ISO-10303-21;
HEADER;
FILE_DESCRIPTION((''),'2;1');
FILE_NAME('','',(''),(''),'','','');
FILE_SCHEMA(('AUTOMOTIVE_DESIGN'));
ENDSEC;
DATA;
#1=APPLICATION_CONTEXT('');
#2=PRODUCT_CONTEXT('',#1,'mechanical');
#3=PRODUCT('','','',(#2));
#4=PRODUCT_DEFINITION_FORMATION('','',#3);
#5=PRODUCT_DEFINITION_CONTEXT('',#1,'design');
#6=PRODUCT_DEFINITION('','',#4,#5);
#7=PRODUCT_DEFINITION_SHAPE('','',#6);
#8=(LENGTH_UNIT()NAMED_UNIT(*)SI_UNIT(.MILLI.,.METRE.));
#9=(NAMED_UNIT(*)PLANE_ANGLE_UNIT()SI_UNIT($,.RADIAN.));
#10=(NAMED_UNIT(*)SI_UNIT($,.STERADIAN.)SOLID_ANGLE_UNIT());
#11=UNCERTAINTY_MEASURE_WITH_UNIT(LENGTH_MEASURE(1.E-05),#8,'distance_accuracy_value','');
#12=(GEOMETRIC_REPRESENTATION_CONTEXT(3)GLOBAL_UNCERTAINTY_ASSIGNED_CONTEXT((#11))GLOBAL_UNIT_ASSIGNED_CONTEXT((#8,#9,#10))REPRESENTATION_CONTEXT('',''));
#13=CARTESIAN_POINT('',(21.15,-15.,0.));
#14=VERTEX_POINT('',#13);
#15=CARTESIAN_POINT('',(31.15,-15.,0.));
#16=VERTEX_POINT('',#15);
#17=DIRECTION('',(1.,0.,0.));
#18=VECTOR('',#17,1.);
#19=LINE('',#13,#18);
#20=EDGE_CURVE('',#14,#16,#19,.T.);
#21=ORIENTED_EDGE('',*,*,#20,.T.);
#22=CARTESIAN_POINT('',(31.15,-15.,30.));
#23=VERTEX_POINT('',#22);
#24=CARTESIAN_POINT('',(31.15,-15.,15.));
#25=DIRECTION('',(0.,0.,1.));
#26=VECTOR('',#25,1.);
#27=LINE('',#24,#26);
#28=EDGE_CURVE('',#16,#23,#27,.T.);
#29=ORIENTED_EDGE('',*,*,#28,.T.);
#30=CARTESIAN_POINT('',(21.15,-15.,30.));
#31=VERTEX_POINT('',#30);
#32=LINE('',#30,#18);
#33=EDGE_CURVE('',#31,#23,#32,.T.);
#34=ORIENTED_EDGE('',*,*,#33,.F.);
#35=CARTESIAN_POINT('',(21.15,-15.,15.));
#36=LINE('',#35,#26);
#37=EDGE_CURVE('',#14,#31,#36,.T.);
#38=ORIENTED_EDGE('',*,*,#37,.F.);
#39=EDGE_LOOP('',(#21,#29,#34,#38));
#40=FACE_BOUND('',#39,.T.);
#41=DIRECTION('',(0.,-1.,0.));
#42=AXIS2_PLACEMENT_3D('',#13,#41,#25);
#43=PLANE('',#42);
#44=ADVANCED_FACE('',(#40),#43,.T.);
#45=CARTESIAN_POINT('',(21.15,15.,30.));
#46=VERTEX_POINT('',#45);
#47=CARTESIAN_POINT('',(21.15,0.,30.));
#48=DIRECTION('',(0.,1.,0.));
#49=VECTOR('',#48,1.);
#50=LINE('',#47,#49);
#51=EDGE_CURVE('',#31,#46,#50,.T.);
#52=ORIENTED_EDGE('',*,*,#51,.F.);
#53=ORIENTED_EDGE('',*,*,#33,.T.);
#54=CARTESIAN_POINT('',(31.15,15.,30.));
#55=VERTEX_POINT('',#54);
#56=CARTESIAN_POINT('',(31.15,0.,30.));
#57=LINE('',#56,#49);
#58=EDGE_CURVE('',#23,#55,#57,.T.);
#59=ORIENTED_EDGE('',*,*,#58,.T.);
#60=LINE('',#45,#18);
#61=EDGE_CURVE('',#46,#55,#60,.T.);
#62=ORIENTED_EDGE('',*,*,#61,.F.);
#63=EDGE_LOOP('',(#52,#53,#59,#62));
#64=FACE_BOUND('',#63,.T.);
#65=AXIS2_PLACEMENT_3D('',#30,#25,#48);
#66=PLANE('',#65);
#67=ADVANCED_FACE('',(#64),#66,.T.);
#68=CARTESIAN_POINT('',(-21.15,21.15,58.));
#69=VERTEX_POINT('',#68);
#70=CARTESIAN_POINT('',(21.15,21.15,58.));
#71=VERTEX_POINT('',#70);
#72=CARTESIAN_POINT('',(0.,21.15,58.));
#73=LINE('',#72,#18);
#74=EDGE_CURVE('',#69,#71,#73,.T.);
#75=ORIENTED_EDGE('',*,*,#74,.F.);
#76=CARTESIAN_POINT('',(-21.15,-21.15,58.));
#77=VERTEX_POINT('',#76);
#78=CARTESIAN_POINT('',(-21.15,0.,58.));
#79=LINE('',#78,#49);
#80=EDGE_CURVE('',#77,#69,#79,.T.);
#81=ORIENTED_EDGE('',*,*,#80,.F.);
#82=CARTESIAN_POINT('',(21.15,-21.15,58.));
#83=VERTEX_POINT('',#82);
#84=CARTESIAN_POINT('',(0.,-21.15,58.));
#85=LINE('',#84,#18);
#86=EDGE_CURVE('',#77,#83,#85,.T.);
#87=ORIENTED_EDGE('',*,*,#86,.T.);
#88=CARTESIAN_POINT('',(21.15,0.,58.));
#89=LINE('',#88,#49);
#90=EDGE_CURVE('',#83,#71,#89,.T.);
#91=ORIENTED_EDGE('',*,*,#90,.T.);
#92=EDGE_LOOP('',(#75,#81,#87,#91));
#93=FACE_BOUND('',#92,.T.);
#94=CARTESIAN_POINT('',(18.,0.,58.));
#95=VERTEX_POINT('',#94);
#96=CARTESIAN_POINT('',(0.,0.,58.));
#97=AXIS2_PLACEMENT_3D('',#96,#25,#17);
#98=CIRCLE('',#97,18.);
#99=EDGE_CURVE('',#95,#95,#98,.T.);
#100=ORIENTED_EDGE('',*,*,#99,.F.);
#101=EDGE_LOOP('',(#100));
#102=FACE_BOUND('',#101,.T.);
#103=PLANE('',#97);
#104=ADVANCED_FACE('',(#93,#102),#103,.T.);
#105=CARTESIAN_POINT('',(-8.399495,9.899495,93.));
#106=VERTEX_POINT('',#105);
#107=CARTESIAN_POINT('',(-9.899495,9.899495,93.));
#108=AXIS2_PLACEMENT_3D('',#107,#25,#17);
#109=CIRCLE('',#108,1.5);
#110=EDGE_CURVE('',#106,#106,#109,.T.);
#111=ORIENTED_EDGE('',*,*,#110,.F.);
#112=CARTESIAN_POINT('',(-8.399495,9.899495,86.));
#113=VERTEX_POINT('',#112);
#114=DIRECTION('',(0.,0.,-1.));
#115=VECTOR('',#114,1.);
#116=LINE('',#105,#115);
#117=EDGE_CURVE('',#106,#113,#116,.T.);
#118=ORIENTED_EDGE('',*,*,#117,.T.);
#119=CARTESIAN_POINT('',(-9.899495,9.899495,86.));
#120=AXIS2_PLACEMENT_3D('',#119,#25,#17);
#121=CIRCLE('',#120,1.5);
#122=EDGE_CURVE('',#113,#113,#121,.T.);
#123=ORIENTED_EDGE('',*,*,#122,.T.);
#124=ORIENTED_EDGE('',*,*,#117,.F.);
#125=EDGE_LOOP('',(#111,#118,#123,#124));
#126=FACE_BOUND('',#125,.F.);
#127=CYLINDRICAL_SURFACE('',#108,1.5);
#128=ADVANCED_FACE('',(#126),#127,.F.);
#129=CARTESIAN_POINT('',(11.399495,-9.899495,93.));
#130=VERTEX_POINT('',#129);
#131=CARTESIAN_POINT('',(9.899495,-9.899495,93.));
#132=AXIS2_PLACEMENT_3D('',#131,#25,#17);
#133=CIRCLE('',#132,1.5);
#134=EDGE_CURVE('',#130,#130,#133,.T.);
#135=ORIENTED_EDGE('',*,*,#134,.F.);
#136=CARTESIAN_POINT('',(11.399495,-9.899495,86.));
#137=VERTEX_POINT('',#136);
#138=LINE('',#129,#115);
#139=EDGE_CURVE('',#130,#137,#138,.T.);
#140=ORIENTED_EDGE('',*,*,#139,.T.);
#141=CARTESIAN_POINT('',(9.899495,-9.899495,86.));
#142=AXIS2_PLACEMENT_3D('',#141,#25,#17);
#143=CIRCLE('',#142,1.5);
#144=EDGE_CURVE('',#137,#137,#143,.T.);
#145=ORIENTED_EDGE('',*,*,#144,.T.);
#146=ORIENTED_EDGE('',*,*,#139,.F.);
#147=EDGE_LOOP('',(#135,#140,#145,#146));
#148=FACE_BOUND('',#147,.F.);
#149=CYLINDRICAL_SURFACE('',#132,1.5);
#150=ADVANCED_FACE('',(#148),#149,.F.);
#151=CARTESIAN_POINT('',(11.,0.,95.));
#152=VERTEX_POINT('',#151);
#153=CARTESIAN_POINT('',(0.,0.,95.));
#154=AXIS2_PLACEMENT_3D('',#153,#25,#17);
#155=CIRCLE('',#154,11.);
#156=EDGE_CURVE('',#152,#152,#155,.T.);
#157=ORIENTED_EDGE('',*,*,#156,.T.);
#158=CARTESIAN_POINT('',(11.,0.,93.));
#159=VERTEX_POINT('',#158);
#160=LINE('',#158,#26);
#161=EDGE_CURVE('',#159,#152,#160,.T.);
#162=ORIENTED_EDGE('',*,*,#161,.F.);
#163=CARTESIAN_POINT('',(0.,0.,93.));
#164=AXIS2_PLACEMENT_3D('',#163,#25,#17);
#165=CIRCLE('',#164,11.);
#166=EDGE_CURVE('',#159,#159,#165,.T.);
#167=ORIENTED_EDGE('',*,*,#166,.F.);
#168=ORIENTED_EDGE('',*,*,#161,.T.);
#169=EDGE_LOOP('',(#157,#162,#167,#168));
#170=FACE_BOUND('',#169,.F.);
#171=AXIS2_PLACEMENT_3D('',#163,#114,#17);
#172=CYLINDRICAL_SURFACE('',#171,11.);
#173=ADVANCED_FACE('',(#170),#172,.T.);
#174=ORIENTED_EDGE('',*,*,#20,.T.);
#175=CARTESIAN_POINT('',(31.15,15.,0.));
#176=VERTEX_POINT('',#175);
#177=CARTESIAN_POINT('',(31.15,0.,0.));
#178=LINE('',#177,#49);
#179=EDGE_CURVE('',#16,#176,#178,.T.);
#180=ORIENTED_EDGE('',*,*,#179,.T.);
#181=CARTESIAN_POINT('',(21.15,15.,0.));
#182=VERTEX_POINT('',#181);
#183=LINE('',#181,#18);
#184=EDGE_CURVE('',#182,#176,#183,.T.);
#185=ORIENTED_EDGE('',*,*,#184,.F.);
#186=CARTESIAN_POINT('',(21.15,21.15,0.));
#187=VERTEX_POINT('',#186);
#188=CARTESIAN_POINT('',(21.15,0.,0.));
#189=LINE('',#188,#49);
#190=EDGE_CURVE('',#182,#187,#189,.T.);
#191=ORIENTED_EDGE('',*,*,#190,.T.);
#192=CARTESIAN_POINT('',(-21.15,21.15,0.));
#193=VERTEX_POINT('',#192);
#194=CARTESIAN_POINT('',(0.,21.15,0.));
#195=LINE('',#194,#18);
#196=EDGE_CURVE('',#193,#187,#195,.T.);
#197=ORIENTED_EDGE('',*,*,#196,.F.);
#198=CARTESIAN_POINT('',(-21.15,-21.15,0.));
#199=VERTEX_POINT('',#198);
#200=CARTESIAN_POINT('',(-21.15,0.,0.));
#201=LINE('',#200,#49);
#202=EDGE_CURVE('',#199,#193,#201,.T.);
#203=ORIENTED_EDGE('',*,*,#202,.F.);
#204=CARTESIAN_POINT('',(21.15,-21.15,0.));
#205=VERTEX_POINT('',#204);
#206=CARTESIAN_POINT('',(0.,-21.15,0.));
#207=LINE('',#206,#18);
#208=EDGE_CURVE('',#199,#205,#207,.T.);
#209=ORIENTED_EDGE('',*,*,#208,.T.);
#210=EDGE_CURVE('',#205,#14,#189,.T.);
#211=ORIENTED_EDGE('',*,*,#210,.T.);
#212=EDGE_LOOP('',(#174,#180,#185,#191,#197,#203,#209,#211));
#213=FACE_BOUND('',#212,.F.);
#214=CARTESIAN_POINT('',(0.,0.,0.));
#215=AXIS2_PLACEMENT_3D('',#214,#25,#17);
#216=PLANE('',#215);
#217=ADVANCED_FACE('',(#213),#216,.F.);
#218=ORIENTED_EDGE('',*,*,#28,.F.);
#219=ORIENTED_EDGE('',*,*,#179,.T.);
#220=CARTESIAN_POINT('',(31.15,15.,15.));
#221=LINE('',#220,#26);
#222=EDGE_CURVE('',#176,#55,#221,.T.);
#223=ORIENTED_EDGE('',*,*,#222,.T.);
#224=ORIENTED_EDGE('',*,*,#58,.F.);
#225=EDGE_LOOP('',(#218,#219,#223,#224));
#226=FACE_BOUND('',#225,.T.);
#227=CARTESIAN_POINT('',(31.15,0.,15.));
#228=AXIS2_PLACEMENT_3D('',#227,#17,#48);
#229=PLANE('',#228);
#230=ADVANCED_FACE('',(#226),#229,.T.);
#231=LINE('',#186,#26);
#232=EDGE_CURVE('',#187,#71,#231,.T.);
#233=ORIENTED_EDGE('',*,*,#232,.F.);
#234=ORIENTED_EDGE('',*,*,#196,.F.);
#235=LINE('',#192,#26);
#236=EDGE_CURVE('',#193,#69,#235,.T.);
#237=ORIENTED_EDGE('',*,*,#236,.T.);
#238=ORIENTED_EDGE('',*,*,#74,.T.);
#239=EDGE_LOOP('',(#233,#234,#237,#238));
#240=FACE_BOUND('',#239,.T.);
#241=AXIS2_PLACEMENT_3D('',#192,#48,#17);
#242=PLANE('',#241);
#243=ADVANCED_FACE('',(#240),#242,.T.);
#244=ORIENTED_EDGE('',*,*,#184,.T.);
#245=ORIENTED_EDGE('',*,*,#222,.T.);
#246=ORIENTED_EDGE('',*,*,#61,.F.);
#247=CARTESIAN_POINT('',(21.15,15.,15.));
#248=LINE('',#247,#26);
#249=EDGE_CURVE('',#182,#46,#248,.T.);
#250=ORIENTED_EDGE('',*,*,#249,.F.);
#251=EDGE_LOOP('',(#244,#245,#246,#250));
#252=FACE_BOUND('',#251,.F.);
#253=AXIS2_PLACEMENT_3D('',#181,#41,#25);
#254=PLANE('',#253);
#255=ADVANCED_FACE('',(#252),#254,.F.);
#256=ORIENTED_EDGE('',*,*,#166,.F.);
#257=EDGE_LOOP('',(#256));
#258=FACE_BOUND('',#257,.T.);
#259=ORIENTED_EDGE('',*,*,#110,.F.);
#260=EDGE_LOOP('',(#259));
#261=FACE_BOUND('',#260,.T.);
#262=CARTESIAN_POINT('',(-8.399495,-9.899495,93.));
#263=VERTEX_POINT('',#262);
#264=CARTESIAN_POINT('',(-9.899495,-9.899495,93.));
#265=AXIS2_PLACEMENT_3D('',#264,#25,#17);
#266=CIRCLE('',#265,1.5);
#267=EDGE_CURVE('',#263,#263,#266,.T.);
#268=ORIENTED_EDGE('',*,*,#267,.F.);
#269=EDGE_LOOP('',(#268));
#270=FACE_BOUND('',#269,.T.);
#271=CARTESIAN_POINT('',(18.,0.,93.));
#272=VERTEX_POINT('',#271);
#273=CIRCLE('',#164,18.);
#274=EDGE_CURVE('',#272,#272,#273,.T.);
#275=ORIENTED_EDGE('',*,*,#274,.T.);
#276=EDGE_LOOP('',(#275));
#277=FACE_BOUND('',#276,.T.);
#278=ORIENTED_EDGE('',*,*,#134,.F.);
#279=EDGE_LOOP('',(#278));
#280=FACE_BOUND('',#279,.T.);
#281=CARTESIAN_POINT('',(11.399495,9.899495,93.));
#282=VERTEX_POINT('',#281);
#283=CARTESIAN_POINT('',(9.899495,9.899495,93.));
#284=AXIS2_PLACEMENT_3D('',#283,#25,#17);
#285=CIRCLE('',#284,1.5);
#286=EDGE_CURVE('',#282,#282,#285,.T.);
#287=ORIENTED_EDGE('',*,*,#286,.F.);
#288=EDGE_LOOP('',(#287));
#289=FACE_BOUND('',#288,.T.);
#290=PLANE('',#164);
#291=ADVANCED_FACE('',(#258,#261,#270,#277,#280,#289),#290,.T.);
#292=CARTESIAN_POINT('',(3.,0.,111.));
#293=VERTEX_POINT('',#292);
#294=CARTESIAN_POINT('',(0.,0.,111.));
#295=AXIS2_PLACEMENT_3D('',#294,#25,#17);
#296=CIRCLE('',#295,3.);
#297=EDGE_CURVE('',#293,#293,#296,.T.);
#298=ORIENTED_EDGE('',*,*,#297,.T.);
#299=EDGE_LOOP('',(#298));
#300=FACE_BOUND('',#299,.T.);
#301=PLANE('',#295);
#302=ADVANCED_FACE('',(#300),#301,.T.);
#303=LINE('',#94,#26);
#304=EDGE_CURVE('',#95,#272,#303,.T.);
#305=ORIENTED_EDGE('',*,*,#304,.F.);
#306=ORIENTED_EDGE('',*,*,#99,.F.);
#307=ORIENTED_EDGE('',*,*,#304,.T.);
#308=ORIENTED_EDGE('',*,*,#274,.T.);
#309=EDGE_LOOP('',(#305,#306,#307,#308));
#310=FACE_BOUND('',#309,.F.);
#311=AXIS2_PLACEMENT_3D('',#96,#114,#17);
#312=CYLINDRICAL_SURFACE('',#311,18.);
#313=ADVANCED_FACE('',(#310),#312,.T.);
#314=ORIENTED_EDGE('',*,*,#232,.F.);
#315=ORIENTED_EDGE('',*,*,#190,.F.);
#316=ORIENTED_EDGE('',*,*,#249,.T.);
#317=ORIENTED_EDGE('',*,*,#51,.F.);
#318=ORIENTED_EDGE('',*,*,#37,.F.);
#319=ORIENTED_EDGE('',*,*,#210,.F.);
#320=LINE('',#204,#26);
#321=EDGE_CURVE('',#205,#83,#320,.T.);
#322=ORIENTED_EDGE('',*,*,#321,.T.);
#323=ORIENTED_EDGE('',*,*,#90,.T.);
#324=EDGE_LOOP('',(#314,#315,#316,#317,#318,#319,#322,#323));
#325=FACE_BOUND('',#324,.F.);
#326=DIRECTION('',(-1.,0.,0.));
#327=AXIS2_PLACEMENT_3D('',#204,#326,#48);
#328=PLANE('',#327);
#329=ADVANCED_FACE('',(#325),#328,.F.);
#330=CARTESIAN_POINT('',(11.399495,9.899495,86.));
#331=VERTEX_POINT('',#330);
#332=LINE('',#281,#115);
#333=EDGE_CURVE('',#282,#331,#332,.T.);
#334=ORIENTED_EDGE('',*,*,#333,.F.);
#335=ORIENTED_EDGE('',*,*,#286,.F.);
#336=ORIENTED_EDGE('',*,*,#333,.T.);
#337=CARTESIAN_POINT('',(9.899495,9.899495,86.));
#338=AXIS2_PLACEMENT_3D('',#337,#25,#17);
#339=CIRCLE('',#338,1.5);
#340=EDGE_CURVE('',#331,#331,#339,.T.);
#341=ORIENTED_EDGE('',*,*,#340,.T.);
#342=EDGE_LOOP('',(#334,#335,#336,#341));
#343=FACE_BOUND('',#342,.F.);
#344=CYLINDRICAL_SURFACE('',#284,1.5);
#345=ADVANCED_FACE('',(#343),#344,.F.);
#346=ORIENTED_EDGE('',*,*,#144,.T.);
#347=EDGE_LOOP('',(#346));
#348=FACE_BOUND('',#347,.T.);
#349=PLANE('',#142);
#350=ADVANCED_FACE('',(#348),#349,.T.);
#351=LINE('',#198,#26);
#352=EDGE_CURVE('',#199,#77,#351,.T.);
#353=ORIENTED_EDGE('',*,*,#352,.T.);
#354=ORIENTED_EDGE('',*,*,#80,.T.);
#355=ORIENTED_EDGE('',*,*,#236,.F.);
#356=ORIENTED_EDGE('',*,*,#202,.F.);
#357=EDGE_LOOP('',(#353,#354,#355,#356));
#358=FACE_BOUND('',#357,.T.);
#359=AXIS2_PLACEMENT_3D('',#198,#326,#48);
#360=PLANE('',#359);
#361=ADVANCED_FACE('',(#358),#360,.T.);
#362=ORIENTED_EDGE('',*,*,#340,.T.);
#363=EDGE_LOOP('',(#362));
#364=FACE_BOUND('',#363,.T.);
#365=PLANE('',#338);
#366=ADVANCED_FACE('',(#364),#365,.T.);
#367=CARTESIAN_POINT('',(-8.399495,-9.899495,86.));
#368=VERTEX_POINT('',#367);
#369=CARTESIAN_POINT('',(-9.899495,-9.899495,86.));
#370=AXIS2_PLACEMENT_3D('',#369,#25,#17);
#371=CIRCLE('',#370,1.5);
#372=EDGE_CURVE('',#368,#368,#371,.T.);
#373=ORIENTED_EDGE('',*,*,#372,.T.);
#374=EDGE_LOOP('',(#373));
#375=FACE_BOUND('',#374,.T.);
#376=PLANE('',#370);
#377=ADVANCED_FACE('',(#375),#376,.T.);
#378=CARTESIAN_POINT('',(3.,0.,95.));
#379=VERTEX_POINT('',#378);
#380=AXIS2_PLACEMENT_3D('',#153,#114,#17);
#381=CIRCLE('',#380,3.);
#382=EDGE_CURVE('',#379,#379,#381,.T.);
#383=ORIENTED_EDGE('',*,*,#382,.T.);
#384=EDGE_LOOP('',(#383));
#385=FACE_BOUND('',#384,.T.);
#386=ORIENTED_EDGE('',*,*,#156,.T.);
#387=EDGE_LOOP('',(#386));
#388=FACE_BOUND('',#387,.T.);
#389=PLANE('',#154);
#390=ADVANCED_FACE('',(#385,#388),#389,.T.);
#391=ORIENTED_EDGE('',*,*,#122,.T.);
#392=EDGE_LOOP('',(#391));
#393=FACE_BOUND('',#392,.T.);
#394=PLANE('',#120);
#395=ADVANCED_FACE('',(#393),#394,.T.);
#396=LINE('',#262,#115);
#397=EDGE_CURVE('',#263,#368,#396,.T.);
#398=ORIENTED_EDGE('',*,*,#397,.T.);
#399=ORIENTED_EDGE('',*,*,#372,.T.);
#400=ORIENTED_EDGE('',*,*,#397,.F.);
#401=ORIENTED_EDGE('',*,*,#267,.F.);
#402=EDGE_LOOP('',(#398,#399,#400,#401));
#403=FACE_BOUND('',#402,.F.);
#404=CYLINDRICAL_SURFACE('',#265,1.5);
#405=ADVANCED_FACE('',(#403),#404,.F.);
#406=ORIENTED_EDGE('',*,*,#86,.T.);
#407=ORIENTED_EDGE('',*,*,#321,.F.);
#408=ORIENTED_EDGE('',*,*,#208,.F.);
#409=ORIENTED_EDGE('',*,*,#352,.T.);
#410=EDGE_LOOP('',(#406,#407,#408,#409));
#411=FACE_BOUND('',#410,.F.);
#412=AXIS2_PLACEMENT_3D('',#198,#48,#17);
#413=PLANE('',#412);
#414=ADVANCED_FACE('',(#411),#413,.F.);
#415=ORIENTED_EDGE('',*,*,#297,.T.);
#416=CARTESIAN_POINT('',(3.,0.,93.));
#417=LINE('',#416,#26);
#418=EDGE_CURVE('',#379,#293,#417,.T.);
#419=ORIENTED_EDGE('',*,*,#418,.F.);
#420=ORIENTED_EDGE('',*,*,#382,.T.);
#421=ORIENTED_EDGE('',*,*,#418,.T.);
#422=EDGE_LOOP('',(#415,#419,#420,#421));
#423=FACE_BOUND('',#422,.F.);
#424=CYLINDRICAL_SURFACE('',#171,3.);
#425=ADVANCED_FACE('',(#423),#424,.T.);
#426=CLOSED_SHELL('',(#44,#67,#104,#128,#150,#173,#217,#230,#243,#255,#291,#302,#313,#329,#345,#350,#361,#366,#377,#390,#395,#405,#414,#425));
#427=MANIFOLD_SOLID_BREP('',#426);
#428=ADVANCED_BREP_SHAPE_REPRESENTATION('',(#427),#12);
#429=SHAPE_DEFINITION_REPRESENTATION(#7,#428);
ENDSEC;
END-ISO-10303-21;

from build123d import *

# Parameters (mm, degrees)
SKETCH013_W     = 42.3
SKETCH013_H     = 42.3
PAD008_DEPTH    = 58
SKETCH012_R     = 18
PAD011_DEPTH    = 35
SKETCH011_R     = 3
PAD010_DEPTH    = 18
SKETCH010_R     = 11
PAD004_DEPTH    = 2
SKETCH009_R     = 1.5
POCKET001_DEPTH = 7
SKETCH006_W     = 30
SKETCH006_H     = 30
PAD009_DEPTH    = 10


with BuildPart() as part:
    # Sketch013 → Pad008 (new body)
    with BuildSketch(Plane.XY):
        Rectangle(SKETCH013_W, SKETCH013_H)
    extrude(amount=PAD008_DEPTH)

    # Sketch012 (on Face6 of Pad008) → Pad011 (join)
    with BuildSketch(Plane.XY.offset(58)):
        Circle(SKETCH012_R)
    extrude(amount=PAD011_DEPTH)

    # Sketch011 (on Face8 of Pad011) → Pad010 (join)
    with BuildSketch(Plane.XY.offset(93)):
        Circle(SKETCH011_R)
    extrude(amount=PAD010_DEPTH)

    # Sketch010 (on Face8 of Pad010) → Pad004 (join)
    with BuildSketch(Plane.XY.offset(93)):
        Circle(SKETCH010_R)
    extrude(amount=PAD004_DEPTH)

    # Sketch009 (on Face8 of Pad004) → Pocket001 (cut)
    with BuildSketch(Plane.XY.offset(93)):
        with Locations((-9.899495, 9.899495)):
            Circle(SKETCH009_R)
        with Locations((9.899495, 9.899495)):
            Circle(SKETCH009_R)
        with Locations((9.899495, -9.899495)):
            Circle(SKETCH009_R)
        with Locations((-9.899495, -9.899495)):
            Circle(SKETCH009_R)
    extrude(amount=-POCKET001_DEPTH, mode=Mode.SUBTRACT)

    # Sketch006 (on Face3 of Pocket001) → Pad009 (join)
    with BuildSketch(Plane.YZ.offset(21.15)):
        with Locations((0, 15)):
            Rectangle(SKETCH006_W, SKETCH006_H)
    extrude(amount=PAD009_DEPTH)


solid = part.part
